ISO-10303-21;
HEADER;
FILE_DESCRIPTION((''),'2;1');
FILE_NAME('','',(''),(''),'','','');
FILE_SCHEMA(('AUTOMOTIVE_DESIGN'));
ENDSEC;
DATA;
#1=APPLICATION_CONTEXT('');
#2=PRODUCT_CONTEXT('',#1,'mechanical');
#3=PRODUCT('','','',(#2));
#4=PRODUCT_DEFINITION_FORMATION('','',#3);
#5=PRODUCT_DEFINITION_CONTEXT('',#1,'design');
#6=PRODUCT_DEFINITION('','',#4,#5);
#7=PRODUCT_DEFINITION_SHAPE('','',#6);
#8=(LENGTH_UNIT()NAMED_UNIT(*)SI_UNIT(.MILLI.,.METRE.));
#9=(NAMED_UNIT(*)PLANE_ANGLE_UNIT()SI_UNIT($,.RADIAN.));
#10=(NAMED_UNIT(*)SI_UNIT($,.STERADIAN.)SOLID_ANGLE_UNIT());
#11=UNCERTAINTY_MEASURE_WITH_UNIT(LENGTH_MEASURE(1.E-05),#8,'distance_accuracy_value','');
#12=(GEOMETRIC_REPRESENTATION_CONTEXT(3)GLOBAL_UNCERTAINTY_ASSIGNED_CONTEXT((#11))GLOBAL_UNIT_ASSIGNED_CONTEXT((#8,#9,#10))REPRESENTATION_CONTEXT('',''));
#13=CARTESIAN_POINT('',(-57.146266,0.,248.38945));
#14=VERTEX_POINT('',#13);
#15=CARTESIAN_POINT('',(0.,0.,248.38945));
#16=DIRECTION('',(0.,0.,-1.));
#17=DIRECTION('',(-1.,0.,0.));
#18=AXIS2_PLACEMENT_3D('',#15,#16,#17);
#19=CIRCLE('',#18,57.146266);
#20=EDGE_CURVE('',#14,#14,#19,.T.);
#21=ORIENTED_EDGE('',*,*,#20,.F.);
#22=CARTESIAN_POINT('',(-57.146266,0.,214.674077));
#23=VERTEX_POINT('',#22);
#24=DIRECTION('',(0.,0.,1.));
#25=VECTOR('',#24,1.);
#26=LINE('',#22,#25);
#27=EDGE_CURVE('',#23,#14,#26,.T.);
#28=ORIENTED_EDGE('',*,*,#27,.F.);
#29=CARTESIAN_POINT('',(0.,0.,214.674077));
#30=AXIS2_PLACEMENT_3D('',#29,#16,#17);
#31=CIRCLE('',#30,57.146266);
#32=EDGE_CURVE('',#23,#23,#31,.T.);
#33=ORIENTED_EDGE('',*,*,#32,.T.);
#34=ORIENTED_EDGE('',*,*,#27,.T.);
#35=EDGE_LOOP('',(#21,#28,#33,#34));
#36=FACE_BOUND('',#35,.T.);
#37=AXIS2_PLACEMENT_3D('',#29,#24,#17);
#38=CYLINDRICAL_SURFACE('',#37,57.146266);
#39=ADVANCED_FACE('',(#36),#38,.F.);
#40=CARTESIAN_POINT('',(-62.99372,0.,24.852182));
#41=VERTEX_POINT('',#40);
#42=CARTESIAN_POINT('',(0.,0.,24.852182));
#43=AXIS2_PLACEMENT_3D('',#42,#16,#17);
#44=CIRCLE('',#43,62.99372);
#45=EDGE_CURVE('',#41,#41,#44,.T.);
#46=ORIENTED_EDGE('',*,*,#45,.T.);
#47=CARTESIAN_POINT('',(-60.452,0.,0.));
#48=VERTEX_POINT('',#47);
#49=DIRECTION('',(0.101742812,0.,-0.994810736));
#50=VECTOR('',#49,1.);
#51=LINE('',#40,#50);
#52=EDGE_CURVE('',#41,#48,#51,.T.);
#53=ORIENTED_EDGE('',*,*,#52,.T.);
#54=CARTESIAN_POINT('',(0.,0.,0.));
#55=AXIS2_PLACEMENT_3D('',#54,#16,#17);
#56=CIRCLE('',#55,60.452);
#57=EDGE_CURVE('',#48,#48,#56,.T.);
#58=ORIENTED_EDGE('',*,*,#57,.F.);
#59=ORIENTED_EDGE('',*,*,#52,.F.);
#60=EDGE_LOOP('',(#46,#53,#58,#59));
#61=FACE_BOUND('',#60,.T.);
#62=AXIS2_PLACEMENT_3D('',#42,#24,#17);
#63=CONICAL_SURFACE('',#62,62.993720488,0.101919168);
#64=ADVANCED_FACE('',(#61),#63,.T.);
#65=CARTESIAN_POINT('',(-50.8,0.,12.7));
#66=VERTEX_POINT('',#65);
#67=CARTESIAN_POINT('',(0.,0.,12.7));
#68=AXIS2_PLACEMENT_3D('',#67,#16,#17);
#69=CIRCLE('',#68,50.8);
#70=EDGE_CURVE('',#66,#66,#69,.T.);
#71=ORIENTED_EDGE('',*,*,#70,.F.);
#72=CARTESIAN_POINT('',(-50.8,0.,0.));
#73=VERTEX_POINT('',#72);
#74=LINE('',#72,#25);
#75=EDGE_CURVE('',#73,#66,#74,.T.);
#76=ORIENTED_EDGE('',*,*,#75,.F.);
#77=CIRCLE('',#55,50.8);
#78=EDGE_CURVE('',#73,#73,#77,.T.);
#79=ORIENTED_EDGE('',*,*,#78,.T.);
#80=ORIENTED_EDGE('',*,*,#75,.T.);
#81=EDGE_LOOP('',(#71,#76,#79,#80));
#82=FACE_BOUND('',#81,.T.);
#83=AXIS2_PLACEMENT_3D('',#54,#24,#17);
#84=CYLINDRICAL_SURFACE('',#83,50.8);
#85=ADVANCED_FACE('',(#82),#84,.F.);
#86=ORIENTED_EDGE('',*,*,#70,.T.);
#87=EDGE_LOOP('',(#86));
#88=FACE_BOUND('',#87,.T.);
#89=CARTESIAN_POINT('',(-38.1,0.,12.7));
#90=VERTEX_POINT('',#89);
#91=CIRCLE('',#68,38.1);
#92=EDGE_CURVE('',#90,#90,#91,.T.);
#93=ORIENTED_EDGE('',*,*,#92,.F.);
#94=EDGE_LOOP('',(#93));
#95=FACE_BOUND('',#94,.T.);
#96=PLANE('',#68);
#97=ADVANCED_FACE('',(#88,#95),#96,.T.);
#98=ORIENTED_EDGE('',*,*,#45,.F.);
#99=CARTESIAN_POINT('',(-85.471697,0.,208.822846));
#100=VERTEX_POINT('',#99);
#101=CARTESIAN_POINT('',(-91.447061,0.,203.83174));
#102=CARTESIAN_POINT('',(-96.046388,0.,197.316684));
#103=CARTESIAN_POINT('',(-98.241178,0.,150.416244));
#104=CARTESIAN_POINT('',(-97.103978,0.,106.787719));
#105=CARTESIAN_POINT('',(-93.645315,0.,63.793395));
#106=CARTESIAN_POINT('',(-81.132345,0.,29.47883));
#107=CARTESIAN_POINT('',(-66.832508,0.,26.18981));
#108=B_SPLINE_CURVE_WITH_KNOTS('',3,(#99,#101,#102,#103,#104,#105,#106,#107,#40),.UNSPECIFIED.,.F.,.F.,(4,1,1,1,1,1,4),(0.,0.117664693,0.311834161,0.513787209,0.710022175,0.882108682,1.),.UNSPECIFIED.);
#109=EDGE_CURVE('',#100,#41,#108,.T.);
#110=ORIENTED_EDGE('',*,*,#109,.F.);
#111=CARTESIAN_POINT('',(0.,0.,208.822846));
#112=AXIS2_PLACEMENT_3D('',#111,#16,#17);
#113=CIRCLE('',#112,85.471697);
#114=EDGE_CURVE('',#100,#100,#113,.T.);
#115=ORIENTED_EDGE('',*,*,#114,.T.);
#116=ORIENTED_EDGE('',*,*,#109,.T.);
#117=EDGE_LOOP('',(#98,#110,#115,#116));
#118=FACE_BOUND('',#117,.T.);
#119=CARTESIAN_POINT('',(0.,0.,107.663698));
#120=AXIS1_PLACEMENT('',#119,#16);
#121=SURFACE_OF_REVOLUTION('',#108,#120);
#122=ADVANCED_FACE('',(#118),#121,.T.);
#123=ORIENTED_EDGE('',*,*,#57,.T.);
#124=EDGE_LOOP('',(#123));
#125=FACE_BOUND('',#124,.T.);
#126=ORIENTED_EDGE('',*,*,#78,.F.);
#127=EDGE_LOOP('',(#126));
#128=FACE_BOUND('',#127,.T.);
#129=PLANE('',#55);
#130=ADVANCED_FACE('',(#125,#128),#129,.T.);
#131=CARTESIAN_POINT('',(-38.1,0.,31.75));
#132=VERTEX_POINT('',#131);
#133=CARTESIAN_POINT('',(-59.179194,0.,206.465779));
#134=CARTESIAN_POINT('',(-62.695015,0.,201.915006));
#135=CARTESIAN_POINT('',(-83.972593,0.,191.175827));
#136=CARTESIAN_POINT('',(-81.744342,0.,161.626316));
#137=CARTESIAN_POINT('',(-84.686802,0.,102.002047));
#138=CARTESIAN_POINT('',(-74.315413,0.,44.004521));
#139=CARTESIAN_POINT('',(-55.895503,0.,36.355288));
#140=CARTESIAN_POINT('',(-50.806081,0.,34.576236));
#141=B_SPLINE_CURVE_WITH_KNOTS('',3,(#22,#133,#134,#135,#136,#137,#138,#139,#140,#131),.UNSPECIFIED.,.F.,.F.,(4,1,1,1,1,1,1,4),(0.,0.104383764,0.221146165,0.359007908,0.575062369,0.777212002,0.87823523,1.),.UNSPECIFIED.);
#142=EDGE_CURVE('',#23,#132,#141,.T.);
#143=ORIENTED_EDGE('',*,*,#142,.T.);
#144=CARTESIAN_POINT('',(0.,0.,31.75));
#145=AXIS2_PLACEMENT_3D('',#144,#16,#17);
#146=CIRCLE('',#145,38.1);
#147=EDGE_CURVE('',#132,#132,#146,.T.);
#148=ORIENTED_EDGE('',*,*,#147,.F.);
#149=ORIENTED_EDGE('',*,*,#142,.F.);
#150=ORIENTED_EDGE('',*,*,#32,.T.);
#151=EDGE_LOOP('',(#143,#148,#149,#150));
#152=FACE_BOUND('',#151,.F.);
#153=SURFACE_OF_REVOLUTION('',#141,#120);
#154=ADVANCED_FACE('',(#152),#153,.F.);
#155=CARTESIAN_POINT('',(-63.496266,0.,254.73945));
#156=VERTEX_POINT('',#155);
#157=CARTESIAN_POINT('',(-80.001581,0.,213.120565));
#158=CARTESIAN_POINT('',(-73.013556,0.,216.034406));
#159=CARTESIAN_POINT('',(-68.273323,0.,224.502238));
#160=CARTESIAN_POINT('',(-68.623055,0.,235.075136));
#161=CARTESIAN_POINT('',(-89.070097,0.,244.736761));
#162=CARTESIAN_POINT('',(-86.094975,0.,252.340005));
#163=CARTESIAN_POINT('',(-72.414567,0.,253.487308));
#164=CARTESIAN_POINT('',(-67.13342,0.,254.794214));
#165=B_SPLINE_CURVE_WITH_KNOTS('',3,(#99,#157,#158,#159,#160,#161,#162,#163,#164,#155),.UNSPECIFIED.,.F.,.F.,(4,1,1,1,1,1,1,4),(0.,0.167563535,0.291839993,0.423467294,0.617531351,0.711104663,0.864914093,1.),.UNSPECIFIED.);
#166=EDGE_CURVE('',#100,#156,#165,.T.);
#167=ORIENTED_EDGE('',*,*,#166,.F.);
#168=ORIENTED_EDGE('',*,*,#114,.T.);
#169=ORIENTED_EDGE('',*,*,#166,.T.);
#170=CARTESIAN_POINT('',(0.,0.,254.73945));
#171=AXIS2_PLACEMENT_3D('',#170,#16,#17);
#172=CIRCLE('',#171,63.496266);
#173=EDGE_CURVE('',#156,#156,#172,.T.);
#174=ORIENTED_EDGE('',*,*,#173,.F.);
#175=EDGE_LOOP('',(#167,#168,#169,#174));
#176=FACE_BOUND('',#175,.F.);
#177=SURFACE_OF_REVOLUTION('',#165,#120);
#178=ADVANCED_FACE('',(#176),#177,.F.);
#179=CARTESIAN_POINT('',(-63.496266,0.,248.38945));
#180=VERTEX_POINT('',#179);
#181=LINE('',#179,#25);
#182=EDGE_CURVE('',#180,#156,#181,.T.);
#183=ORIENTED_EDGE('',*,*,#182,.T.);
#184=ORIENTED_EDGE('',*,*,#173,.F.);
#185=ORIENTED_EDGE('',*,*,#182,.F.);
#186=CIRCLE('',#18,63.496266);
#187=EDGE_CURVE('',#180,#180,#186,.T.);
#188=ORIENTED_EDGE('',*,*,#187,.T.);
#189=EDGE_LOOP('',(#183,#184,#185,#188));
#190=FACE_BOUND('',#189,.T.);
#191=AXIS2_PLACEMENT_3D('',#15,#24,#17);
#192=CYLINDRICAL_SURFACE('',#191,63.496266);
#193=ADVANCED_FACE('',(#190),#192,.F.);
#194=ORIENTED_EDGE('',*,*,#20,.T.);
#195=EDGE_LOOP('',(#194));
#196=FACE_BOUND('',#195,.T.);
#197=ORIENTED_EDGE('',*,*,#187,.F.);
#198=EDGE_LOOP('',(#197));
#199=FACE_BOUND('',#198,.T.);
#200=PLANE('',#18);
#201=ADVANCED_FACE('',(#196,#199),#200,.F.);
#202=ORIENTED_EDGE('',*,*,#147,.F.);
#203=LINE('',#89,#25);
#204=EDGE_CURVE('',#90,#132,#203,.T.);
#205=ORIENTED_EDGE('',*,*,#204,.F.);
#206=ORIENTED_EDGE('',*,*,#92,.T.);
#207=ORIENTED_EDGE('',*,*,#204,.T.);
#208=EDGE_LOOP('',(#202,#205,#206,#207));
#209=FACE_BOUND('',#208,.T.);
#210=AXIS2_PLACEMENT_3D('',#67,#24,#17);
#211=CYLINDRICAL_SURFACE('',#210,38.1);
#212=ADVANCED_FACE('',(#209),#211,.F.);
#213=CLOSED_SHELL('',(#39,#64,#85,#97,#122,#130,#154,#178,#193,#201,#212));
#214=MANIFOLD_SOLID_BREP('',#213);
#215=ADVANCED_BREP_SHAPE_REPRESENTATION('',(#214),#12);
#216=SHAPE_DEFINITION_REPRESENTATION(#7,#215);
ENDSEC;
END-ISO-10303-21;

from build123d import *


with BuildPart() as f1:
    # F0 (on Front) → F1 (revolve)
    with BuildSketch(Plane.XZ):
        with BuildLine():
            Line((-50.8, 12.7), (-38.1, 12.7))
            Line((-38.1, 12.7), (-38.1, 31.75))
            add(Edge.make_bspline(
                [(-57.1462656052, 214.6740767193), (-59.1791938691, 206.4657785568), (-62.6950145123, 201.9150055899), (-83.9725929419, 191.1758268104), (-81.7443419875, 161.6263158362), (-84.6868020565, 102.0020472742), (-74.3154134501, 44.0045205115), (-55.8955026796, 36.3552876567), (-50.8060806476, 34.5762356906), (-38.1, 31.75)],
                knots=[0, 0, 0, 0, 0.1043837637, 0.2211461652, 0.359007908, 0.575062369, 0.7772120017, 0.8782352298, 1, 1, 1, 1], degree=3))
            Line((-57.1462656052, 214.6740767193), (-57.1462656052, 248.3894495755))
            Line((-57.1462656052, 248.3894495755), (-63.4962656052, 248.3894495755))
            Line((-63.4962656052, 248.3894495755), (-63.4962656052, 254.7394495755))
            add(Edge.make_bspline(
                [(-85.4716971517, 208.8228464127), (-80.0015813782, 213.1205653137), (-73.0135556419, 216.0344064434), (-68.2733233329, 224.502237829), (-68.6230549029, 235.0751362339), (-89.0700967897, 244.7367613499), (-86.0949749339, 252.3400048982), (-72.4145668479, 253.4873084477), (-67.1334195238, 254.7942135833), (-63.4962656052, 254.7394495755)],
                knots=[0, 0, 0, 0, 0.1675635347, 0.2918399933, 0.423467294, 0.6175313506, 0.7111046629, 0.8649140934, 1, 1, 1, 1], degree=3))
            add(Edge.make_bspline(
                [(-85.4716971517, 208.8228464127), (-91.4470612347, 203.831740195), (-96.0463875097, 197.3166842881), (-98.2411778707, 150.4162443361), (-97.103977767, 106.7877189637), (-93.6453150365, 63.7933945229), (-81.1323445186, 29.4788300178), (-66.8325079994, 26.1898097816), (-62.9937204877, 24.8521815788)],
                knots=[0, 0, 0, 0, 0.1176646929, 0.3118341607, 0.5137872091, 0.710022175, 0.8821086822, 1, 1, 1, 1], degree=3))
            Line((-62.9937204877, 24.8521815788), (-60.452, 0))
            Line((-60.452, 0), (-50.8, 0))
            Line((-50.8, 0), (-50.8, 12.7))
        make_face()
    revolve(axis=Axis((0, 0, 107.6636984944), (0, 0, -1)))


solid = f1.part
